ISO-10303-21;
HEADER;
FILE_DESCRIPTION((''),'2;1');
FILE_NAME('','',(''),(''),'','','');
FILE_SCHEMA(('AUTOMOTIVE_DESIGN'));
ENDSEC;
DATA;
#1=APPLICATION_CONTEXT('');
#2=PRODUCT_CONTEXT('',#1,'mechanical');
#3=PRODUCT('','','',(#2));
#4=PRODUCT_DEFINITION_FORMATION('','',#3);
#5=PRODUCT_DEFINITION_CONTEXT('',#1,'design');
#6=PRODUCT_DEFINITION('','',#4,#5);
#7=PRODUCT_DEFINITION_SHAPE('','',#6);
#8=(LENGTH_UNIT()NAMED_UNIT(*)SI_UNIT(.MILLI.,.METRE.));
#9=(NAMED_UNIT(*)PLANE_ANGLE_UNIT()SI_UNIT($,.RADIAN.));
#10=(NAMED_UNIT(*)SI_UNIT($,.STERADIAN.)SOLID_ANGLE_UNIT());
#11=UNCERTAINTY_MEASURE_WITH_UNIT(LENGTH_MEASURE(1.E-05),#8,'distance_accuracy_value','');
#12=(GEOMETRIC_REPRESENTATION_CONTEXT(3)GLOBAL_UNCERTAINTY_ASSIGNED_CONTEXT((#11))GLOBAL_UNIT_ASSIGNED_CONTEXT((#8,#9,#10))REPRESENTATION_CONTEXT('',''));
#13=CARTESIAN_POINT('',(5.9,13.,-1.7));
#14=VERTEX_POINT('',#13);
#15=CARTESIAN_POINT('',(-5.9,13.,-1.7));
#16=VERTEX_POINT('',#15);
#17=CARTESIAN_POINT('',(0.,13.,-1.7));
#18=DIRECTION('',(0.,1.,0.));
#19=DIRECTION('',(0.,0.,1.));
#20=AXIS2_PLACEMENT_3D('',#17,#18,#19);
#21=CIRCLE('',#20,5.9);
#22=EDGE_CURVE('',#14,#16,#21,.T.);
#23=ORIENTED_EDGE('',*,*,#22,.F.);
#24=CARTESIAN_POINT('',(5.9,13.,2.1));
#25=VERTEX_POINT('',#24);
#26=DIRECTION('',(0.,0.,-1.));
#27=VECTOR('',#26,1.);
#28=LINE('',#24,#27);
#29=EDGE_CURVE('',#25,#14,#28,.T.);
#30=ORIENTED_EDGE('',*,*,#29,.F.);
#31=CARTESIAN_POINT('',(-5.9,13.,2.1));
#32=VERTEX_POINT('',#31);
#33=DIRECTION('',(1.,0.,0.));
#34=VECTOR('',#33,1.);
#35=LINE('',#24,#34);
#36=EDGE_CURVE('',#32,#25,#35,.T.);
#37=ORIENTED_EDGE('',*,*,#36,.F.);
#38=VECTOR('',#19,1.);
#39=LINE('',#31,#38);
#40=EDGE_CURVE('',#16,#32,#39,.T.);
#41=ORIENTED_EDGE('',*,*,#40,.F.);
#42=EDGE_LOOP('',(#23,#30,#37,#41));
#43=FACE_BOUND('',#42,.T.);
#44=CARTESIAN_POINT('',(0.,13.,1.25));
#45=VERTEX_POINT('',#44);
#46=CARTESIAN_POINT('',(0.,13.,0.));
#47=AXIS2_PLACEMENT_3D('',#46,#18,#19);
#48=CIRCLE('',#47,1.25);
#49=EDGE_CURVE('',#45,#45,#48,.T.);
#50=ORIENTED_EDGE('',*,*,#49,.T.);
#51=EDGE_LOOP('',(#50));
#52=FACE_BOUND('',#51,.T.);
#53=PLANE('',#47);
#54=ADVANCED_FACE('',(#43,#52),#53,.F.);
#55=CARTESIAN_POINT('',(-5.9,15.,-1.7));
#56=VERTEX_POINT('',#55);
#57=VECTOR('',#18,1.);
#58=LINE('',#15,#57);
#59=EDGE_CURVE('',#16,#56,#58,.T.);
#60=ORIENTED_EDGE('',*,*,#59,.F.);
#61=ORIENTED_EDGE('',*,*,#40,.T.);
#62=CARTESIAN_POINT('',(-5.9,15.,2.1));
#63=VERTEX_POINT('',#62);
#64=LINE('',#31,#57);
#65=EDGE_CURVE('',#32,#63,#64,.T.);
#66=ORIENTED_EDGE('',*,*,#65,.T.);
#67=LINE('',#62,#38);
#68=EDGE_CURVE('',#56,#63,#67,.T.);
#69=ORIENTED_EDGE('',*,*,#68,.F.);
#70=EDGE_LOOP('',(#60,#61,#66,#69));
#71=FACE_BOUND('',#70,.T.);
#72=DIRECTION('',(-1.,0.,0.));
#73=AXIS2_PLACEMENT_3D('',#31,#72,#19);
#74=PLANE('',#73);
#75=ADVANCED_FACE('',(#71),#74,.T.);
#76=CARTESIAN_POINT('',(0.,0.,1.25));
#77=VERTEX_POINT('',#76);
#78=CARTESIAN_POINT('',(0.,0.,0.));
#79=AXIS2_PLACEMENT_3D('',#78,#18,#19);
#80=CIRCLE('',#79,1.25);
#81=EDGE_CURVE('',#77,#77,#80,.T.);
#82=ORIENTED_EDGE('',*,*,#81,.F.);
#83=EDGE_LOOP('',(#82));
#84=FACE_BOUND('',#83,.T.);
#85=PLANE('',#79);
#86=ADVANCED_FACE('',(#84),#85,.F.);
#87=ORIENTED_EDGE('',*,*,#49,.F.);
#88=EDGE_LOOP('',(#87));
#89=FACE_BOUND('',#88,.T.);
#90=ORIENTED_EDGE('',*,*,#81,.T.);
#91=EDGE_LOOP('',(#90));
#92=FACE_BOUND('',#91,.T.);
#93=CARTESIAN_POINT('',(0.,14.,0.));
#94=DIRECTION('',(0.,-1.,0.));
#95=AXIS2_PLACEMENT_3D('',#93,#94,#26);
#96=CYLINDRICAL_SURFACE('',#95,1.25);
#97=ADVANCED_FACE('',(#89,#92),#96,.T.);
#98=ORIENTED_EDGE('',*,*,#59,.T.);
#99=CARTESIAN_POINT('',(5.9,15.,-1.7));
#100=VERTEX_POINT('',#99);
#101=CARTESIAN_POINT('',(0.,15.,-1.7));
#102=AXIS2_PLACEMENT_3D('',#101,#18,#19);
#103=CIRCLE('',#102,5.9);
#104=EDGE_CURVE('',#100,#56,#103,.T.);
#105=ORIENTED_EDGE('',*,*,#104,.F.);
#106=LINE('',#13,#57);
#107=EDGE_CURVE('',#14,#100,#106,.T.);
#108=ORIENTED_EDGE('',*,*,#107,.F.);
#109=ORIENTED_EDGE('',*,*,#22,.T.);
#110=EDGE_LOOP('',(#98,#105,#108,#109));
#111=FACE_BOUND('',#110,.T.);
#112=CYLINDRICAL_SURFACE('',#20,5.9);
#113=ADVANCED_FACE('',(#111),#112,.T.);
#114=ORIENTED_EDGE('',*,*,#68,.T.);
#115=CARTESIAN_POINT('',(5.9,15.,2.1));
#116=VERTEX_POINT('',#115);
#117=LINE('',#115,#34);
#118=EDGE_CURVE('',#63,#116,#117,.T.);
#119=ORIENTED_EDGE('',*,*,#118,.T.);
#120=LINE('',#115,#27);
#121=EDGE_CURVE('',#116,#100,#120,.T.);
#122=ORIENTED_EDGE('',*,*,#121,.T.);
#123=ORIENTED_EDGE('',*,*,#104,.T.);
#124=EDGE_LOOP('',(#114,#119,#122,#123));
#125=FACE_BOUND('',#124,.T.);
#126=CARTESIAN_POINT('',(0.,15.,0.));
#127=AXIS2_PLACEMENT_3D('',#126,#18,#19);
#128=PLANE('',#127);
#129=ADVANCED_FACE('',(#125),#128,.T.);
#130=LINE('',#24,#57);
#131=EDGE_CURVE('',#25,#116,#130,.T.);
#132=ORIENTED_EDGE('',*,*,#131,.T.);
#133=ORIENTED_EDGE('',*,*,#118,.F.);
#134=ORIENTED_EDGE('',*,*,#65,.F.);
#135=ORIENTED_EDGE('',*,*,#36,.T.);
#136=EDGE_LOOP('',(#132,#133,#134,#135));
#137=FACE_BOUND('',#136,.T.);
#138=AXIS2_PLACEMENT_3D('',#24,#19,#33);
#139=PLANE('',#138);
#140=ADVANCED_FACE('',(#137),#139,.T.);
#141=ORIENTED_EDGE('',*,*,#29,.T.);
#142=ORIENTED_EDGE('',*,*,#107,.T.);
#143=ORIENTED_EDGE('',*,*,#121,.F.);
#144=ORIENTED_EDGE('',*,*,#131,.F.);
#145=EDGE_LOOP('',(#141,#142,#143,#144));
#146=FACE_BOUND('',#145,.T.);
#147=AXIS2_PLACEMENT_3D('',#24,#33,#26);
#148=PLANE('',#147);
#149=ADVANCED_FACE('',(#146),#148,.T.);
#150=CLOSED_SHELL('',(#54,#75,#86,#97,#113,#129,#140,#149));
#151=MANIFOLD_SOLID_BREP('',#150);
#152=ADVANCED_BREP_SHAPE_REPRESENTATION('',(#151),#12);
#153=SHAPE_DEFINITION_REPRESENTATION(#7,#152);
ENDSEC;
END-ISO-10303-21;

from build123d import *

# Parameters (mm, degrees)
SKETCH1_R                = 1.25
BOSS_EXTRUDE1_DEPTH      = 14
BOSS_EXTRUDE2_DEPTH      = 1
BOSS_EXTRUDE2_DEPTH_BACK = 1
SKETCH3_W                = 11.8
SKETCH3_H                = 3.8
BOSS_EXTRUDE3_DEPTH      = 2


with BuildPart() as part:
    # Sketch1 → Boss-Extrude1 (new body)
    with BuildSketch(Plane(origin=(0, 0, 0), x_dir=(1, 0, 0), z_dir=(0, 1, 0))):
        with Locations(Location((0, 0, 0), (0, 0, 270))):
            Circle(SKETCH1_R)
    extrude(amount=BOSS_EXTRUDE1_DEPTH)

    # Sketch3 → Boss-Extrude2 (add, two sides: drawn at the far end of the back side and taken through both)
    with BuildSketch(Plane(origin=(0, 14, 0), x_dir=(1, 0, 0), z_dir=(0, 1, 0)).offset(-BOSS_EXTRUDE2_DEPTH_BACK)):
        with Locations((1e-09, -0.2)):
            Rectangle(SKETCH3_W, SKETCH3_H)
    extrude(amount=BOSS_EXTRUDE2_DEPTH + BOSS_EXTRUDE2_DEPTH_BACK)

    # Sketch4 → Boss-Extrude3 (add)
    with BuildSketch(Plane(origin=(0, 15, 0), x_dir=(1, 0, 0), z_dir=(0, 1, 0))):
        with BuildLine():
            Line((5.900000001, 1.7), (-5.899999999, 1.7))
            ThreePointArc((-5.899999999, 1.7), (1e-09, 7.6), (5.900000001, 1.7))
        make_face()
    extrude(amount=-BOSS_EXTRUDE3_DEPTH)


solid = part.part
